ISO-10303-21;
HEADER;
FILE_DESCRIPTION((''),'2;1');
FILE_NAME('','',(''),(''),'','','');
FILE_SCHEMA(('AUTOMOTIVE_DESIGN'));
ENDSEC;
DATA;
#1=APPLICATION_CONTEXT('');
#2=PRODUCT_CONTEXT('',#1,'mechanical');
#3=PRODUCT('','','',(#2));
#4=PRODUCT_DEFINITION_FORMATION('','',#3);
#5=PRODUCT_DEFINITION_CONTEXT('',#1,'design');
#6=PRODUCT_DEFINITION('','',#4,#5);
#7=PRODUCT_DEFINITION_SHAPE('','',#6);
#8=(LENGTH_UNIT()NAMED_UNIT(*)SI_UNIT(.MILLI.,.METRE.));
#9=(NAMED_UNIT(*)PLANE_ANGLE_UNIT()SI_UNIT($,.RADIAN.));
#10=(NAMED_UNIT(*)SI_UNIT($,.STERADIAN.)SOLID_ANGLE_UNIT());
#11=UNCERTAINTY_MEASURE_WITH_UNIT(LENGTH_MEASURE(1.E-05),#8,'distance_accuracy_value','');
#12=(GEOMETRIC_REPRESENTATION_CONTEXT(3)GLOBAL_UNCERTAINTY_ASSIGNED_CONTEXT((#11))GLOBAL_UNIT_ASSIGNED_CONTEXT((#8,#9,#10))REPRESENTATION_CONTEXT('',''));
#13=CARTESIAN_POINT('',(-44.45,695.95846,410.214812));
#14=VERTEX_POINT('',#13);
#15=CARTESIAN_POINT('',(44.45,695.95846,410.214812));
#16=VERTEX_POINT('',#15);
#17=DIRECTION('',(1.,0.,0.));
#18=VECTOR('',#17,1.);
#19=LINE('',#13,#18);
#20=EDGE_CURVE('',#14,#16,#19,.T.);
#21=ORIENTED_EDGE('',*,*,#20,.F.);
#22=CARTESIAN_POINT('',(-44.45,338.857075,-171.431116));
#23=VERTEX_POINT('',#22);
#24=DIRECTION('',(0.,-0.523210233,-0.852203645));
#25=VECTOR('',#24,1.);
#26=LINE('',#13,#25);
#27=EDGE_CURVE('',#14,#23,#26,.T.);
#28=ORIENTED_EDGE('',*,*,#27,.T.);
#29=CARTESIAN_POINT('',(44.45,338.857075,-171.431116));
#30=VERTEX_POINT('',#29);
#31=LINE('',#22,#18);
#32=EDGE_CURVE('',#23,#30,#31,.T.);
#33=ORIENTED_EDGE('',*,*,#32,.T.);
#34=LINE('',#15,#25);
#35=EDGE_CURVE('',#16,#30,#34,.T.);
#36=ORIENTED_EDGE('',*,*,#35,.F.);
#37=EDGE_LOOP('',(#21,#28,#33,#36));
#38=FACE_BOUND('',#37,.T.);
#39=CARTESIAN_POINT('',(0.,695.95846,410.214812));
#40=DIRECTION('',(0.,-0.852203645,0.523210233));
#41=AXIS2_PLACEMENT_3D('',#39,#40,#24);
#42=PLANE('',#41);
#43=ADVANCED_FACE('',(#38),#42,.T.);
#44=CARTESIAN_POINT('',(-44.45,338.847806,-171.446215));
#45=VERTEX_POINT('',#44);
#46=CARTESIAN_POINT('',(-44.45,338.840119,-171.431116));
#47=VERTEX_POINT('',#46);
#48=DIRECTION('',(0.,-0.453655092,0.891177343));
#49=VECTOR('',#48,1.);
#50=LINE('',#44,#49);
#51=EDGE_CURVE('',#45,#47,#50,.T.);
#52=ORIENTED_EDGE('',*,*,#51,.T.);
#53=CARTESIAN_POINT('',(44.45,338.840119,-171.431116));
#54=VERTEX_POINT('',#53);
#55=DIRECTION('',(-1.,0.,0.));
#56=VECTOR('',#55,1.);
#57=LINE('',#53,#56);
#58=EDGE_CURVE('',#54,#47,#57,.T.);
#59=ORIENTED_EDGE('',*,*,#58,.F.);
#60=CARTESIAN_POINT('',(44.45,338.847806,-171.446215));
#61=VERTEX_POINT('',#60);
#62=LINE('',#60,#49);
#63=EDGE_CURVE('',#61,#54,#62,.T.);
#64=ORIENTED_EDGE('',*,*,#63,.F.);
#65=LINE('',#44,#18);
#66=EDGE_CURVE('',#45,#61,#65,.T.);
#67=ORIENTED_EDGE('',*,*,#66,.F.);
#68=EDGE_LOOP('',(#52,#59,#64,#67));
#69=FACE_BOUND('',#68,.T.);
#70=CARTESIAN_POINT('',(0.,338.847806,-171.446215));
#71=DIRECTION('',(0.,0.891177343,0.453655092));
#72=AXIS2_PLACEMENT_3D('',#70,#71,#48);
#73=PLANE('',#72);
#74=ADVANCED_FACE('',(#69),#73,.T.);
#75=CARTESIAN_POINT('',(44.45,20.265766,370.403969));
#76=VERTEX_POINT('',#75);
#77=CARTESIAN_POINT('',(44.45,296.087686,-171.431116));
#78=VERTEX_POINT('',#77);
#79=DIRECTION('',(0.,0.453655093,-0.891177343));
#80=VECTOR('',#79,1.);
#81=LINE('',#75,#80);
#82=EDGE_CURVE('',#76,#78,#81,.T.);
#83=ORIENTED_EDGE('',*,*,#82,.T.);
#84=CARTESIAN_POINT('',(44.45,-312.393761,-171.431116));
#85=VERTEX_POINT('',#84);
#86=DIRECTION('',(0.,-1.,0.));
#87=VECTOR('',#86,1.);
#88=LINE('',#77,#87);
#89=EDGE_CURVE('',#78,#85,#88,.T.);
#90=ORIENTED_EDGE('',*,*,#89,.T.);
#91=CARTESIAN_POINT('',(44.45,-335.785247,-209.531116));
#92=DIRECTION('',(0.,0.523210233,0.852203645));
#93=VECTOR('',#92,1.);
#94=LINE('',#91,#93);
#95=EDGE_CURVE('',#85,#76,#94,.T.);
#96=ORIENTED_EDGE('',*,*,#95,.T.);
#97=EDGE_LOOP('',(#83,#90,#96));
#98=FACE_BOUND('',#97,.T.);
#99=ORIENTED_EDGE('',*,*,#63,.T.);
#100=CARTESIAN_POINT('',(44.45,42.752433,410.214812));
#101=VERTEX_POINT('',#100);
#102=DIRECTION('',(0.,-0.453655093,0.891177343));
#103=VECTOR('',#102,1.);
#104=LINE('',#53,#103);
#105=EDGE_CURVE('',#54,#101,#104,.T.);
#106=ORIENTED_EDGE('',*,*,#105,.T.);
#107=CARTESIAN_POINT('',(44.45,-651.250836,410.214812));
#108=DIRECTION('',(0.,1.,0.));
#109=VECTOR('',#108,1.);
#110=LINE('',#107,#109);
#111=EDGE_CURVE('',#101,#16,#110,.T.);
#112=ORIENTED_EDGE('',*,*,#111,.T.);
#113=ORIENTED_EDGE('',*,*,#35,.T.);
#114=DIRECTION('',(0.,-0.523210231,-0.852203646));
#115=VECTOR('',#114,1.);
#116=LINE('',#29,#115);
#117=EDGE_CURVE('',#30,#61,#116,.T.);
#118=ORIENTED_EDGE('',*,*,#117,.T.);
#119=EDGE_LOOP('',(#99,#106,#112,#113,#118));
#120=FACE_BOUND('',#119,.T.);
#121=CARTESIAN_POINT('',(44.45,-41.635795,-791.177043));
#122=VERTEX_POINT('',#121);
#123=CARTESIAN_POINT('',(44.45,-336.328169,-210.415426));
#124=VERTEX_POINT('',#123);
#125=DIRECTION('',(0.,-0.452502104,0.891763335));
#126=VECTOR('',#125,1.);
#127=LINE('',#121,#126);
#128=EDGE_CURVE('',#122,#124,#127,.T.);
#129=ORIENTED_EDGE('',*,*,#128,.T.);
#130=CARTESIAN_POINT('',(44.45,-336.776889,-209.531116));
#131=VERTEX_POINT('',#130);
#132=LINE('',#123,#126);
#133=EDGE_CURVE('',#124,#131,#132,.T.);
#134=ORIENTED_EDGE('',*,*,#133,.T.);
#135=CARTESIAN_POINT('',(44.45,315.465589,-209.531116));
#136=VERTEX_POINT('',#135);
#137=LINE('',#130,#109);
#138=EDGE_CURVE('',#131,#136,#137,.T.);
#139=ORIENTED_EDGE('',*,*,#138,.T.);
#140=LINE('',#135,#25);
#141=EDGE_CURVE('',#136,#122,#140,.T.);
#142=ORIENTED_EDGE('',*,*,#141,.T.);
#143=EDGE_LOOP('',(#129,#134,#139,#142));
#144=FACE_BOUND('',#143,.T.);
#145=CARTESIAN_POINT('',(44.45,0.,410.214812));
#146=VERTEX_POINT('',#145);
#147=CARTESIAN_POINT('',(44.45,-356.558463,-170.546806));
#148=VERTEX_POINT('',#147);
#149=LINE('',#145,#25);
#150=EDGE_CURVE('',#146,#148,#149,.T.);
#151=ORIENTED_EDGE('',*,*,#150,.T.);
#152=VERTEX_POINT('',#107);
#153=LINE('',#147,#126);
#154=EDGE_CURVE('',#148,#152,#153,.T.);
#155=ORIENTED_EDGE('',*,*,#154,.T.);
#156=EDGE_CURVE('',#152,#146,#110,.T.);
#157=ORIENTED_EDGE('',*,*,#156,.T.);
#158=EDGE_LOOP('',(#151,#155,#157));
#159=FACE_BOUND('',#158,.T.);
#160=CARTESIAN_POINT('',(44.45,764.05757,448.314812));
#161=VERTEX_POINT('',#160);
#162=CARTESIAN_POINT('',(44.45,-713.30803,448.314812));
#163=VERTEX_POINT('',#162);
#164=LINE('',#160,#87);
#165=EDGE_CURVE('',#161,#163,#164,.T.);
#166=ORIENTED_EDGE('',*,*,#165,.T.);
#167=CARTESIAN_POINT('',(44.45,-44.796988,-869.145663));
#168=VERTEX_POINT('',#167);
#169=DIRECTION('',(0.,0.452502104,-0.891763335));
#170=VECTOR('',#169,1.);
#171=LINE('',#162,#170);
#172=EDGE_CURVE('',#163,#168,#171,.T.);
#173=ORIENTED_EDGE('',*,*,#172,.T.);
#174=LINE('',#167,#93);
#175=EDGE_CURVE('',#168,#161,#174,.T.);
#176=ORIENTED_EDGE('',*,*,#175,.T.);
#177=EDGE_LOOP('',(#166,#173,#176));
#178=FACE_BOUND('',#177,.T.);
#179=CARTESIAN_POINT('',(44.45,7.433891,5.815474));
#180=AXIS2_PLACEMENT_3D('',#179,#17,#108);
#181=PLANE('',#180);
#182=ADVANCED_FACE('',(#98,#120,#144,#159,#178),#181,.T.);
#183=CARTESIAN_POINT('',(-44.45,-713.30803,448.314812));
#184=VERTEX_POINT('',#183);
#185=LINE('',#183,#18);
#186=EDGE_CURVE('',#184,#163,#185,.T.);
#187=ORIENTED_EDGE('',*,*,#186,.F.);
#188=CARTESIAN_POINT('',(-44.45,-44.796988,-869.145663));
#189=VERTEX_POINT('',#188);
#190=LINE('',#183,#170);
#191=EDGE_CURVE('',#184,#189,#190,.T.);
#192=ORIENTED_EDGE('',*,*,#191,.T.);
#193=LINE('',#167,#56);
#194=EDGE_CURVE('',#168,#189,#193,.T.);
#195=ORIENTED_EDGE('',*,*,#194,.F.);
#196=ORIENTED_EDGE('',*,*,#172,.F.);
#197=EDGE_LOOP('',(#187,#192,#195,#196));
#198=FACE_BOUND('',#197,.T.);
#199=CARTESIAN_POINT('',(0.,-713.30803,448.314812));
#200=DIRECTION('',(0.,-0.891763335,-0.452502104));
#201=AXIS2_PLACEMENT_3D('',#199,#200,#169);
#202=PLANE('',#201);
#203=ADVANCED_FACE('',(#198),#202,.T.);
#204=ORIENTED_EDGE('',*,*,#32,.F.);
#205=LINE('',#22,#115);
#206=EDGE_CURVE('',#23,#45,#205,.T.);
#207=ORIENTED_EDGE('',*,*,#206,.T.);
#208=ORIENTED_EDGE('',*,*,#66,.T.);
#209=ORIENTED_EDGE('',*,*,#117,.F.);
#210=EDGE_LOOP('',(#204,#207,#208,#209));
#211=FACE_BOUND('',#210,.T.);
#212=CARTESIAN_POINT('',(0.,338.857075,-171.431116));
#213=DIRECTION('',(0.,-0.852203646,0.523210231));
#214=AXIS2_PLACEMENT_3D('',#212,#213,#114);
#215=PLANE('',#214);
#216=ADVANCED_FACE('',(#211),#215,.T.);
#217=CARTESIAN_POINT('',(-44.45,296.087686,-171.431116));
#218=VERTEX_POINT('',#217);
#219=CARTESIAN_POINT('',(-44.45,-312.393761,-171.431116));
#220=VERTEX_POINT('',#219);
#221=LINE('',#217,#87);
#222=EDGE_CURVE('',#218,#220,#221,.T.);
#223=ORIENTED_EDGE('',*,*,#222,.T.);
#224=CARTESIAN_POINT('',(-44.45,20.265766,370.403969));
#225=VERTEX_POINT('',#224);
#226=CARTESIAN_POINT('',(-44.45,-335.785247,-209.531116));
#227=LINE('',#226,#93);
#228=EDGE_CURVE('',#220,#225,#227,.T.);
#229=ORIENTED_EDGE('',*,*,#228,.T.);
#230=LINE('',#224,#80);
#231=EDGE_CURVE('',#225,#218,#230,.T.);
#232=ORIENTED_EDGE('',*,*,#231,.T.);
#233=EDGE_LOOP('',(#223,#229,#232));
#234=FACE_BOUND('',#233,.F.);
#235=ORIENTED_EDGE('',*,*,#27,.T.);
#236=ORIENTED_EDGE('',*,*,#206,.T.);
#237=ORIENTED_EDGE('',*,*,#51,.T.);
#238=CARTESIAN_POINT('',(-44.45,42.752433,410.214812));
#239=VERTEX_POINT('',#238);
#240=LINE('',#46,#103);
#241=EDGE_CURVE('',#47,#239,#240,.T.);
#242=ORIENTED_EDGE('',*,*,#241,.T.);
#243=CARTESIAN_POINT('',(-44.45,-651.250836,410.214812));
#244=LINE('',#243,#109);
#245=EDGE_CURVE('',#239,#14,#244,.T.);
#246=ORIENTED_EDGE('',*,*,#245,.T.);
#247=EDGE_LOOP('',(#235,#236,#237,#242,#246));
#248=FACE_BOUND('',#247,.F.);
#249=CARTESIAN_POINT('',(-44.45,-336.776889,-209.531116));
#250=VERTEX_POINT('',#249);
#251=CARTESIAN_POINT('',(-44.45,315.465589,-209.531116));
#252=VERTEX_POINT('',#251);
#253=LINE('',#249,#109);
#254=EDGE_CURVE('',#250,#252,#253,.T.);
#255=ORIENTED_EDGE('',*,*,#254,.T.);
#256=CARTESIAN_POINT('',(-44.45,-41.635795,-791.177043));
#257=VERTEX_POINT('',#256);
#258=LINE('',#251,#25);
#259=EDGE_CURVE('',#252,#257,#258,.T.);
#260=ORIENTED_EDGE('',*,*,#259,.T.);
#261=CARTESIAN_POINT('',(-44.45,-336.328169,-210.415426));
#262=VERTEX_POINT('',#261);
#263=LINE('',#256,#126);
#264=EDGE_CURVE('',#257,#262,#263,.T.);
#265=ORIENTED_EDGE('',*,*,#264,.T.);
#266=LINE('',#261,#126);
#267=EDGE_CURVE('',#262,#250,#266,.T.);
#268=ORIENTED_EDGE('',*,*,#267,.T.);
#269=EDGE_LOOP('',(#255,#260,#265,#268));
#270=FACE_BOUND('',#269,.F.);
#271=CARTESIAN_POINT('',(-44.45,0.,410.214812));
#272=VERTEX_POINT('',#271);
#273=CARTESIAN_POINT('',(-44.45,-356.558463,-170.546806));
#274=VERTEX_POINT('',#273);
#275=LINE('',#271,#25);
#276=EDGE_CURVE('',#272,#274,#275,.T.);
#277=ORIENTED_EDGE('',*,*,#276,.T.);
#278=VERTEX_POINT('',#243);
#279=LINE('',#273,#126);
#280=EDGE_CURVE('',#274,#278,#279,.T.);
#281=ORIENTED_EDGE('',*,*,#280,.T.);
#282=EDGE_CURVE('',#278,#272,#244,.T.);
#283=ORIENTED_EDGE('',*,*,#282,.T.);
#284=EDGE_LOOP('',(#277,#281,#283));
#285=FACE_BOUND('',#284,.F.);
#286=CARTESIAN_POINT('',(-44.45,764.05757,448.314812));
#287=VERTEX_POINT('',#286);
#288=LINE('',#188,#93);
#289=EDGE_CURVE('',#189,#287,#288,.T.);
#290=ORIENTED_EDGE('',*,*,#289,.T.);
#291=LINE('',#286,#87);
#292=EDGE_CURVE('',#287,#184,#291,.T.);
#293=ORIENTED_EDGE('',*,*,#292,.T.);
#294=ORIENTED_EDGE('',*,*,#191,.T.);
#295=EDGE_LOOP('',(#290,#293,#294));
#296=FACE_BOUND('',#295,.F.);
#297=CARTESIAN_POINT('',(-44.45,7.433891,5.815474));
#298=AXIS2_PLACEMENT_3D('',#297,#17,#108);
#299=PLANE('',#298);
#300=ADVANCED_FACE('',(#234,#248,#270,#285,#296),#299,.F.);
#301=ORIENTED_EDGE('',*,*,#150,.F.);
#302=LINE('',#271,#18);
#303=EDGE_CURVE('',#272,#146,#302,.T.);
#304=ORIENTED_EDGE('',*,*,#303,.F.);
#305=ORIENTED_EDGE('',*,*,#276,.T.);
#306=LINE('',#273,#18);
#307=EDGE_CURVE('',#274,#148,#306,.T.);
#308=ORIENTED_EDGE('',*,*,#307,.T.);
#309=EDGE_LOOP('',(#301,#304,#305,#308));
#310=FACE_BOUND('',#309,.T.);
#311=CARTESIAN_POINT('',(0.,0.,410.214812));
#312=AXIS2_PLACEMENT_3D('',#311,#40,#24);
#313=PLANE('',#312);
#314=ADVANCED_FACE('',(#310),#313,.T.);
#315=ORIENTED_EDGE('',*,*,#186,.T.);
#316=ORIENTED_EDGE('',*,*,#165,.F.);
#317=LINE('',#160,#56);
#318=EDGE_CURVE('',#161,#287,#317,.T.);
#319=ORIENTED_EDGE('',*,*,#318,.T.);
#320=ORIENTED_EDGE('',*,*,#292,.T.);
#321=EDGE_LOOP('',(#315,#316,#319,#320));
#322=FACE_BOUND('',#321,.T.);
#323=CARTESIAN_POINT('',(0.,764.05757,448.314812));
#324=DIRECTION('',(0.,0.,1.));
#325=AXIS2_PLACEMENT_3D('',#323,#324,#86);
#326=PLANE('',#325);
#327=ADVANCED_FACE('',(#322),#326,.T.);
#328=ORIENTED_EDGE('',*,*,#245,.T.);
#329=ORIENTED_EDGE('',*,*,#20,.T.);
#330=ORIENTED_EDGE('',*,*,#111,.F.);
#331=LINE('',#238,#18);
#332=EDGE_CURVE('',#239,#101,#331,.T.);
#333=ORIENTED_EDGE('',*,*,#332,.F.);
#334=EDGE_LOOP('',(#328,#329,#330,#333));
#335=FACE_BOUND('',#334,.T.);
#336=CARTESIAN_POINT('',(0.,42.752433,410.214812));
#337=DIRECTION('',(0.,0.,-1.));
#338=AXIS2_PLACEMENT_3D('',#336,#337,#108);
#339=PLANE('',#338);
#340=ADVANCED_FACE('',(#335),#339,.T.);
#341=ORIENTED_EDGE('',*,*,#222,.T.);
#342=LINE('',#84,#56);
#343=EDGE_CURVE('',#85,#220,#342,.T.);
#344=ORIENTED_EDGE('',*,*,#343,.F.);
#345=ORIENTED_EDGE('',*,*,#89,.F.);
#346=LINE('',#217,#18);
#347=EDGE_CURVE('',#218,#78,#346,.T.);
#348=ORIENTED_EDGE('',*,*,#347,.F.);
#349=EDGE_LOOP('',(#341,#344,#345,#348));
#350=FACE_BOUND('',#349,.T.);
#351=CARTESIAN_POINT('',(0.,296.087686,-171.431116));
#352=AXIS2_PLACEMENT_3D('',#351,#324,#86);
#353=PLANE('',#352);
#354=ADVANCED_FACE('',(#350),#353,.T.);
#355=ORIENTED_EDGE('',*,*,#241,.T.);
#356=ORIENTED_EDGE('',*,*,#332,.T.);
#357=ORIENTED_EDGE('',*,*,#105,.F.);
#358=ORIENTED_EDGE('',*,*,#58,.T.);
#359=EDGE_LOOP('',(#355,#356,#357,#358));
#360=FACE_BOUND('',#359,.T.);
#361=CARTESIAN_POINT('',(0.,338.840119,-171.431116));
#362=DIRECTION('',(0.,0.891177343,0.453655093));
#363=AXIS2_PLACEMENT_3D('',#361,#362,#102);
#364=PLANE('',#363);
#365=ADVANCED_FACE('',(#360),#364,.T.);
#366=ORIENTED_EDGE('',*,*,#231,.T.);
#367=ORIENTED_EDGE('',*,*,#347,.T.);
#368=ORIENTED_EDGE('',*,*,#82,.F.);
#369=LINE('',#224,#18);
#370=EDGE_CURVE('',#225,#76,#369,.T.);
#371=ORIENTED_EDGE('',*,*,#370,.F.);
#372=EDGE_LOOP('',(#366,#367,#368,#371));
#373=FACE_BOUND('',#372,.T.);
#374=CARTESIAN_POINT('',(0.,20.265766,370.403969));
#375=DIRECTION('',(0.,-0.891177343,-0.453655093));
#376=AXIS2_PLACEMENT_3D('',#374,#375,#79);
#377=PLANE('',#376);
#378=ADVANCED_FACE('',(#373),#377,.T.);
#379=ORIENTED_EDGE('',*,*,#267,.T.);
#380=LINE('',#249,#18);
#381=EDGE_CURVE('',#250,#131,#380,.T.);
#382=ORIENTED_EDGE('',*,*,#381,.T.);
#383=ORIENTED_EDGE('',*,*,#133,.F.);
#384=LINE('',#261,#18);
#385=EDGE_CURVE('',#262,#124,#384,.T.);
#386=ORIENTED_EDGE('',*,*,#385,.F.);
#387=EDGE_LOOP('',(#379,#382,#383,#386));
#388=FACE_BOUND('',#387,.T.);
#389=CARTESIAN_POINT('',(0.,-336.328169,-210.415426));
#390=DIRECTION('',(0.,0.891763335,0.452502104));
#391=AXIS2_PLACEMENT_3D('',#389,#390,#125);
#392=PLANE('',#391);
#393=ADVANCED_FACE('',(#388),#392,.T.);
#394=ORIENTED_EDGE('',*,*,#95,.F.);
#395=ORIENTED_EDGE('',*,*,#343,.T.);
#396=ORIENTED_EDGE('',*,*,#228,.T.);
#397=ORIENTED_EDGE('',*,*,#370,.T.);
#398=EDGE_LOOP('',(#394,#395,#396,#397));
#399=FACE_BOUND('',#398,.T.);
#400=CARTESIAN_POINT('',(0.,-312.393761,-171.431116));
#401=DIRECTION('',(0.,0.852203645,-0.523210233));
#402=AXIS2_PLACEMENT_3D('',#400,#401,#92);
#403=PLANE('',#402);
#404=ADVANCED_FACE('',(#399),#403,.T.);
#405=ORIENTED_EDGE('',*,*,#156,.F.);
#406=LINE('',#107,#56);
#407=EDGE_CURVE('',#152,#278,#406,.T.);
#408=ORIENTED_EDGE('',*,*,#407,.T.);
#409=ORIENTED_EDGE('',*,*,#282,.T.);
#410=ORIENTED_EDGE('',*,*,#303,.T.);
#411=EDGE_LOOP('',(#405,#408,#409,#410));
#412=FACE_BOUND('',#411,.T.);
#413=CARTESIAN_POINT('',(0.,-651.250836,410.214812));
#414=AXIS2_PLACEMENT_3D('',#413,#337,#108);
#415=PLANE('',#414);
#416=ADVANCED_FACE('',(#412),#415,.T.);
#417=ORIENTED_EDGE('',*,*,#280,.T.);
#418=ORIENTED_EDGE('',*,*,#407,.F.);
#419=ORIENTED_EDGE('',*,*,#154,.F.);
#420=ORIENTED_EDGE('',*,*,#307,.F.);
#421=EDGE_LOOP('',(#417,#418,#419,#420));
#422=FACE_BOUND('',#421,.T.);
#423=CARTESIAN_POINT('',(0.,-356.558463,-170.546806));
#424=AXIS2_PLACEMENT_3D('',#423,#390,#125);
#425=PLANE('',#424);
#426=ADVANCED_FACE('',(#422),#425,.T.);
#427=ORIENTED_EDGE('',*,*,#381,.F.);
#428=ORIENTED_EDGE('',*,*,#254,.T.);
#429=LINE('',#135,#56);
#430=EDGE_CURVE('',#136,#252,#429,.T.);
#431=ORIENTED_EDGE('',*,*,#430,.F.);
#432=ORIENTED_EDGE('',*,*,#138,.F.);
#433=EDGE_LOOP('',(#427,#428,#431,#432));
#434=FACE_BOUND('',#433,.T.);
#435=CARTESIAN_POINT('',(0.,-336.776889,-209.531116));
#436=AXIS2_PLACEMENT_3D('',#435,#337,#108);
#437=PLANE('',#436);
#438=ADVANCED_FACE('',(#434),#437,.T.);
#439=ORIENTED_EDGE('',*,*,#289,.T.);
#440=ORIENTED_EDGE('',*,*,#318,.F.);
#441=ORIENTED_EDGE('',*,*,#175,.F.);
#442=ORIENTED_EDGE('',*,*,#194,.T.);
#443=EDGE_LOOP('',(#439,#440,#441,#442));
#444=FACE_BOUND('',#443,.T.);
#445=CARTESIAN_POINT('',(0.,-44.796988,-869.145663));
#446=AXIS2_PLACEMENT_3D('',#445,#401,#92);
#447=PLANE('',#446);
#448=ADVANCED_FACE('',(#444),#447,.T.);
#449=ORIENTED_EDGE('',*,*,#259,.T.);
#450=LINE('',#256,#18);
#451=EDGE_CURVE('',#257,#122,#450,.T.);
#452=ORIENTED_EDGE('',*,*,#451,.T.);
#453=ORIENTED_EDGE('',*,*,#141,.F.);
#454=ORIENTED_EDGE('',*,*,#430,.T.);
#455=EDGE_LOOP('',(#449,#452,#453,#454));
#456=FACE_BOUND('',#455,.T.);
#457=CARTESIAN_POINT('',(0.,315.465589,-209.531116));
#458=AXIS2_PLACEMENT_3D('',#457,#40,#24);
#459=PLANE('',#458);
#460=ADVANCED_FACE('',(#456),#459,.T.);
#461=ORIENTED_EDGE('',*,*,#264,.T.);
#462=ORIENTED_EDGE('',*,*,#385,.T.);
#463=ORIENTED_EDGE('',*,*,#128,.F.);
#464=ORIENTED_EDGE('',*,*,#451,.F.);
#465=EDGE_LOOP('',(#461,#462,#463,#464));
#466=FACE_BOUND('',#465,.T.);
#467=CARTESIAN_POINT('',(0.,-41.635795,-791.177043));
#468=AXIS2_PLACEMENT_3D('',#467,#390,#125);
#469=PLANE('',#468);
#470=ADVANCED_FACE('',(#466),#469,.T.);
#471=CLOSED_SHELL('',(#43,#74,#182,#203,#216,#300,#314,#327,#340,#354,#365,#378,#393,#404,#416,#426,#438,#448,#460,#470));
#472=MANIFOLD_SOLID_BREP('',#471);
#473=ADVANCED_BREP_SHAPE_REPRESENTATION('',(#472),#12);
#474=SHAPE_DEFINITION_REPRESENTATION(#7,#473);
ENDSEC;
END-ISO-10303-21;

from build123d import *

# Parameters (mm, degrees)
F1_DEPTH = 44.45


with BuildPart() as f1:
    # F0 (on Right) → F1 (new body, symmetric)
    with BuildSketch(Plane.YZ):
        Polygon((764.0575700919, 448.3148115635), (-713.3080299081, 448.3148115635), (-44.7969876964, -869.1456631774), align=None)
        Polygon((315.4655891845, -209.5311159245), (-41.63579525, -791.1770434126), (-336.3281687259, -210.4154258069), (-336.7768887691, -209.5311159245), (-356.558462584, -170.5468060421), (-651.2508360599, 410.2148115635), (0, 410.2148115635), (42.7524333981, 410.2148115635), (695.9584599236, 410.2148115635), (338.8570754891, -171.4311159245), (338.8478055526, -171.4462147762), align=None, mode=Mode.SUBTRACT)
        Polygon((-336.7768887691, -209.5311159245), (-335.7852468754, -209.5311159245), (-312.3937605708, -171.4311159245), (20.2657660654, 370.4039688496), (0, 410.2148115635), (-356.558462584, -170.5468060421), align=None)
        Polygon((296.0876860626, -171.4311159245), (338.8401194607, -171.4311159245), (42.7524333981, 410.2148115635), (0, 410.2148115635), (20.2657660654, 370.4039688496), align=None)
        Polygon((-335.7852468754, -209.5311159245), (315.4655891845, -209.5311159245), (338.8478055526, -171.4462147762), (338.8401194607, -171.4311159245), (296.0876860626, -171.4311159245), (-312.3937605708, -171.4311159245), align=None)
    extrude(amount=F1_DEPTH, both=True)


solid = f1.part
